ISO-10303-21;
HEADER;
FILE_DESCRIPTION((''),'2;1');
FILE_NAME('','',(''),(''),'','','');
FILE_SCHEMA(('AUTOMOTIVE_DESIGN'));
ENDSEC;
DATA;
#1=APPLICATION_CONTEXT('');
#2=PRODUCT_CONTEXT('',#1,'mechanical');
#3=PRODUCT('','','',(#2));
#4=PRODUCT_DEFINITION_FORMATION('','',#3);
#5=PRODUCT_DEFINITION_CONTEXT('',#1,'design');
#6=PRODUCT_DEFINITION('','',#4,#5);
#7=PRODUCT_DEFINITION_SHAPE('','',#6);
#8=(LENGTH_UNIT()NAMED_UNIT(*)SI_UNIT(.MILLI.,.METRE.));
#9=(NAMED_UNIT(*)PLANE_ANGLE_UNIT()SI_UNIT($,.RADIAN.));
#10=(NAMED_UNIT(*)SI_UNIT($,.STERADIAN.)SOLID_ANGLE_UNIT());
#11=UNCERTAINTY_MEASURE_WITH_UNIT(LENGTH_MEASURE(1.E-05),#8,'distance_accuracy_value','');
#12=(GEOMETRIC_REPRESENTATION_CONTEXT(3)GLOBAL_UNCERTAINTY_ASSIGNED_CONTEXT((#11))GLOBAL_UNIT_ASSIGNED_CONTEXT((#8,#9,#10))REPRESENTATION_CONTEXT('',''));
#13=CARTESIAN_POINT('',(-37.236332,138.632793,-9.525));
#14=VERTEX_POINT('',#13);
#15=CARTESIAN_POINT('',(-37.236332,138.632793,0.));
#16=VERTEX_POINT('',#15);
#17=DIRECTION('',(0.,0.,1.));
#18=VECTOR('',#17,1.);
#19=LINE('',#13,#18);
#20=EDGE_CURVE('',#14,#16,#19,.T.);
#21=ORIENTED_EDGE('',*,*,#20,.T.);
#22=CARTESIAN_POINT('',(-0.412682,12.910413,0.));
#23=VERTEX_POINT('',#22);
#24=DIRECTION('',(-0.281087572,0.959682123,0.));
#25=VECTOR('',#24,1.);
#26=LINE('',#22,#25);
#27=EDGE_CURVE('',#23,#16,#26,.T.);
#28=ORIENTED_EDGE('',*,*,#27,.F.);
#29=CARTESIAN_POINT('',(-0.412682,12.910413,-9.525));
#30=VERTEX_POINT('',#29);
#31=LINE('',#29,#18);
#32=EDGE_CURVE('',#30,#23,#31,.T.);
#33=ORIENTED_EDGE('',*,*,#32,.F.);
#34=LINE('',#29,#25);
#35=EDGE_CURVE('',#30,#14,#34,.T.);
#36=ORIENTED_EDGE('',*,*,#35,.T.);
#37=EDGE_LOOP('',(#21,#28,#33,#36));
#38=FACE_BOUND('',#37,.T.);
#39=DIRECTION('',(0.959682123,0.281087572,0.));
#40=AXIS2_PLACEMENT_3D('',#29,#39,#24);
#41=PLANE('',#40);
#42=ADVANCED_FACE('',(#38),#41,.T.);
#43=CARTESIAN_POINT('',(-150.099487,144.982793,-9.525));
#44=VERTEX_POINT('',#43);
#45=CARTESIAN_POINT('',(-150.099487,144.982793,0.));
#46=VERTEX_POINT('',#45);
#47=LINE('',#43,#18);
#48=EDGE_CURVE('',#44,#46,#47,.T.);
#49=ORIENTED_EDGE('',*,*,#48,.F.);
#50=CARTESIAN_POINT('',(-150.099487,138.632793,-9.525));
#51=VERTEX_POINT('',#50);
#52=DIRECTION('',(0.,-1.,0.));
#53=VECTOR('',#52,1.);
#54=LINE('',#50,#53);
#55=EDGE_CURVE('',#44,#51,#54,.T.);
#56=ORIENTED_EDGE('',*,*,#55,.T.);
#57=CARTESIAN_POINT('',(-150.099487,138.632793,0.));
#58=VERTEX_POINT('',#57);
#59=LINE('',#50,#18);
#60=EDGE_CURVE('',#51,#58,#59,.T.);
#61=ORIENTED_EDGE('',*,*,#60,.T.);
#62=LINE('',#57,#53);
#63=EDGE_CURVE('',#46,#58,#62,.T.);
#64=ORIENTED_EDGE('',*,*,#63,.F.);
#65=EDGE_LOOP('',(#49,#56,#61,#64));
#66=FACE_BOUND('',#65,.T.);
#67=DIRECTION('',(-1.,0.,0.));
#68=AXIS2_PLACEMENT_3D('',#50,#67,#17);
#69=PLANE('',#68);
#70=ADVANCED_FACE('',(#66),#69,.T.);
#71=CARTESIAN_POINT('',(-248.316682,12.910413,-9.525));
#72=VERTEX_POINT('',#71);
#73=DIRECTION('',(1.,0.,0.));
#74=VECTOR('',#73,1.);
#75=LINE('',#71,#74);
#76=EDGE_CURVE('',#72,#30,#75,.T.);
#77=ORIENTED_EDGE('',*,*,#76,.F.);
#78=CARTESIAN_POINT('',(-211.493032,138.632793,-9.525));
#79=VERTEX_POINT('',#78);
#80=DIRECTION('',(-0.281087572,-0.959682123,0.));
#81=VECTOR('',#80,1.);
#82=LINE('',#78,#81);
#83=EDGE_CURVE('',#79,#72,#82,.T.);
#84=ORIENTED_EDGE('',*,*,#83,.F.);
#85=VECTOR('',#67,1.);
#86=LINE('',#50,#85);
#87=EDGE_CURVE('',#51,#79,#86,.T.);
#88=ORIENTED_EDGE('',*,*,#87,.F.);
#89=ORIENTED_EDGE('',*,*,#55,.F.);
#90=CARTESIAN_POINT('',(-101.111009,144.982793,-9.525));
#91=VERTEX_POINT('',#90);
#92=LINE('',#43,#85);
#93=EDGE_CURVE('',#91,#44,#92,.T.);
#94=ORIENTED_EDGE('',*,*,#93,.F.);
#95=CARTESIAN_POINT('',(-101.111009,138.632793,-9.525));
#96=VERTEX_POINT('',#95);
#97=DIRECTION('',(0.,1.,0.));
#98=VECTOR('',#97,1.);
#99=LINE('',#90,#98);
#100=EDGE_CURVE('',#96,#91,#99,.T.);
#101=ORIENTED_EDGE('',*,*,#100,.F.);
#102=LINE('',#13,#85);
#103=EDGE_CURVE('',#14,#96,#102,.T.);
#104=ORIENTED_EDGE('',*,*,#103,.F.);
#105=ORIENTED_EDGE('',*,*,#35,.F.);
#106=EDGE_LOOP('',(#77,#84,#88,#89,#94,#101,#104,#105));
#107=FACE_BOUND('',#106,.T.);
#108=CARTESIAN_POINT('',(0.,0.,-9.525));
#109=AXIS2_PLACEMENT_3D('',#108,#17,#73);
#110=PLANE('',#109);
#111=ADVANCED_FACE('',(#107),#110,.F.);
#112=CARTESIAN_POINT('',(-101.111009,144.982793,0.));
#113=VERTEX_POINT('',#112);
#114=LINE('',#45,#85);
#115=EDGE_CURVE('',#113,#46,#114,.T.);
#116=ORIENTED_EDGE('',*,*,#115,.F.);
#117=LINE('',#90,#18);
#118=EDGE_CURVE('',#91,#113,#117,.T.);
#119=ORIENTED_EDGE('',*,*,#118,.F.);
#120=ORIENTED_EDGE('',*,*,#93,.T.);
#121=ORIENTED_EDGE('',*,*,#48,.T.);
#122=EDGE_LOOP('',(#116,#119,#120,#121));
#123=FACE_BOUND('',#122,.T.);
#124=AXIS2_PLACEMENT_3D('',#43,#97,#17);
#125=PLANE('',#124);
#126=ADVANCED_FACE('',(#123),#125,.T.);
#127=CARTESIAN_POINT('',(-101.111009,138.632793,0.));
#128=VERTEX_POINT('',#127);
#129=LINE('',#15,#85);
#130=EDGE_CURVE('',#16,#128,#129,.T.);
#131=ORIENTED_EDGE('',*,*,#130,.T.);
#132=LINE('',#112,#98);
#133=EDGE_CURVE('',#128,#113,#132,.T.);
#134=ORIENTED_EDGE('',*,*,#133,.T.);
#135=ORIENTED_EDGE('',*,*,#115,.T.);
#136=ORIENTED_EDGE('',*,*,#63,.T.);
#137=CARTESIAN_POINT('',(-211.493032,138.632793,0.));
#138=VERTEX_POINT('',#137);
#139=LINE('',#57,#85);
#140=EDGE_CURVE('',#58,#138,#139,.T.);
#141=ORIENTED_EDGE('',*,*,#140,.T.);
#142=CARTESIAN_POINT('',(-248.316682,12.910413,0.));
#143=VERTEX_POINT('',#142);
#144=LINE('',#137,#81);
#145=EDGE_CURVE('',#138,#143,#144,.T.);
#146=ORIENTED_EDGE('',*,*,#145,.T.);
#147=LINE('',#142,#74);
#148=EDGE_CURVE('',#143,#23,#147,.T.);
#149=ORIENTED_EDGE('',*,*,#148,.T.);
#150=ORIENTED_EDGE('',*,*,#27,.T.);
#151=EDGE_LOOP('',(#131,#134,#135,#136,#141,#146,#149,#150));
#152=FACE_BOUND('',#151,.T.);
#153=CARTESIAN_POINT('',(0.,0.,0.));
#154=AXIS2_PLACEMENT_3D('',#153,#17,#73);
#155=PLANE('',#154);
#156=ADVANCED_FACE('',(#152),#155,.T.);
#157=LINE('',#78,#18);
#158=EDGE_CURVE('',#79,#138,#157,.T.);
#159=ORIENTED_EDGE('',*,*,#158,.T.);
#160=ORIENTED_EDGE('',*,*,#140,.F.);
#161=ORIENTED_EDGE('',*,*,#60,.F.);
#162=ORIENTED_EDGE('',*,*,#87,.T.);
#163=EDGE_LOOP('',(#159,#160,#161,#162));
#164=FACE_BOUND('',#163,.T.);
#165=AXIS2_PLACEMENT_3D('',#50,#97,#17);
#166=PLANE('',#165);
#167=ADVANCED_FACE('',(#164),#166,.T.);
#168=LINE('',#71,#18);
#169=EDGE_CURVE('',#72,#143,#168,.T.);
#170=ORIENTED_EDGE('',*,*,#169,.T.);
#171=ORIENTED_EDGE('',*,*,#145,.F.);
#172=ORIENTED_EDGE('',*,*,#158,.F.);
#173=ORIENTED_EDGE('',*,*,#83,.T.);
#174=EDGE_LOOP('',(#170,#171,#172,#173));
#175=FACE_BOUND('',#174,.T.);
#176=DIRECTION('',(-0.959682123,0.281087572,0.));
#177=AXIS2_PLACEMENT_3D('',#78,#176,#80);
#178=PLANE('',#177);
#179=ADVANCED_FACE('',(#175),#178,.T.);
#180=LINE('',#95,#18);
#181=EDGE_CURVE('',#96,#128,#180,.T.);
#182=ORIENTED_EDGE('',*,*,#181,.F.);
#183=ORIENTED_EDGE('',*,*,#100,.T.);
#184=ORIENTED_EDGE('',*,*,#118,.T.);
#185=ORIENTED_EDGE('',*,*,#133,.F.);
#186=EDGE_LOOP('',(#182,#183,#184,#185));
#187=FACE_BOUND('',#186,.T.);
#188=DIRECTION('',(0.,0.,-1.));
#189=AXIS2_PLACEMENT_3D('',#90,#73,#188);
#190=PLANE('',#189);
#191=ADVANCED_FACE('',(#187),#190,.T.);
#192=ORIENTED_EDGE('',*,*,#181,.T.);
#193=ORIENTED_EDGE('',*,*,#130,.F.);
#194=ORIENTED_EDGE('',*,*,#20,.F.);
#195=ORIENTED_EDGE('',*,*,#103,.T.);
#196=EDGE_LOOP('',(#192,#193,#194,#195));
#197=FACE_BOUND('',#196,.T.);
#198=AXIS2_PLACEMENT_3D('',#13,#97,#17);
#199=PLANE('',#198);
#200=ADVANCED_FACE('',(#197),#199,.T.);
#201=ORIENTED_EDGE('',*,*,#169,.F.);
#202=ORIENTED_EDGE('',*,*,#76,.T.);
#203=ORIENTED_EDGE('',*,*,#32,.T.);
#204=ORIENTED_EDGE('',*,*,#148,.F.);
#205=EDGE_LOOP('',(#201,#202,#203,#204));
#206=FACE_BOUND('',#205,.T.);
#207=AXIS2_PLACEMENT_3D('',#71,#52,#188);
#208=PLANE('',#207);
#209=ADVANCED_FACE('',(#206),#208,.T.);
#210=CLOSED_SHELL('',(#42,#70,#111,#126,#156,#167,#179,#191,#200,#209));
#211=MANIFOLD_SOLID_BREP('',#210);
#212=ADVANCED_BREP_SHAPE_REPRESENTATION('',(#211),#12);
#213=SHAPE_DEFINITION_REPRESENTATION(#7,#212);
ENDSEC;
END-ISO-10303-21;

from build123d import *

# Parameters (mm, degrees)
BOSS_EXTRUDE1_DEPTH = 9.525


with BuildPart() as part:
    # Sketch1 → Boss-Extrude1 (new body)
    with BuildSketch(Plane.XY):
        Polygon((-211.493032125, 138.63279335), (-248.316682125, 12.91041335), (-0.412682125, 12.91041335), (-37.236332125, 138.63279335), (-101.111008696, 138.63279335), (-101.111008696, 144.98279335), (-150.099486916, 144.98279335), (-150.099486916, 138.63279335), align=None)
    extrude(amount=-BOSS_EXTRUDE1_DEPTH)


solid = part.part
